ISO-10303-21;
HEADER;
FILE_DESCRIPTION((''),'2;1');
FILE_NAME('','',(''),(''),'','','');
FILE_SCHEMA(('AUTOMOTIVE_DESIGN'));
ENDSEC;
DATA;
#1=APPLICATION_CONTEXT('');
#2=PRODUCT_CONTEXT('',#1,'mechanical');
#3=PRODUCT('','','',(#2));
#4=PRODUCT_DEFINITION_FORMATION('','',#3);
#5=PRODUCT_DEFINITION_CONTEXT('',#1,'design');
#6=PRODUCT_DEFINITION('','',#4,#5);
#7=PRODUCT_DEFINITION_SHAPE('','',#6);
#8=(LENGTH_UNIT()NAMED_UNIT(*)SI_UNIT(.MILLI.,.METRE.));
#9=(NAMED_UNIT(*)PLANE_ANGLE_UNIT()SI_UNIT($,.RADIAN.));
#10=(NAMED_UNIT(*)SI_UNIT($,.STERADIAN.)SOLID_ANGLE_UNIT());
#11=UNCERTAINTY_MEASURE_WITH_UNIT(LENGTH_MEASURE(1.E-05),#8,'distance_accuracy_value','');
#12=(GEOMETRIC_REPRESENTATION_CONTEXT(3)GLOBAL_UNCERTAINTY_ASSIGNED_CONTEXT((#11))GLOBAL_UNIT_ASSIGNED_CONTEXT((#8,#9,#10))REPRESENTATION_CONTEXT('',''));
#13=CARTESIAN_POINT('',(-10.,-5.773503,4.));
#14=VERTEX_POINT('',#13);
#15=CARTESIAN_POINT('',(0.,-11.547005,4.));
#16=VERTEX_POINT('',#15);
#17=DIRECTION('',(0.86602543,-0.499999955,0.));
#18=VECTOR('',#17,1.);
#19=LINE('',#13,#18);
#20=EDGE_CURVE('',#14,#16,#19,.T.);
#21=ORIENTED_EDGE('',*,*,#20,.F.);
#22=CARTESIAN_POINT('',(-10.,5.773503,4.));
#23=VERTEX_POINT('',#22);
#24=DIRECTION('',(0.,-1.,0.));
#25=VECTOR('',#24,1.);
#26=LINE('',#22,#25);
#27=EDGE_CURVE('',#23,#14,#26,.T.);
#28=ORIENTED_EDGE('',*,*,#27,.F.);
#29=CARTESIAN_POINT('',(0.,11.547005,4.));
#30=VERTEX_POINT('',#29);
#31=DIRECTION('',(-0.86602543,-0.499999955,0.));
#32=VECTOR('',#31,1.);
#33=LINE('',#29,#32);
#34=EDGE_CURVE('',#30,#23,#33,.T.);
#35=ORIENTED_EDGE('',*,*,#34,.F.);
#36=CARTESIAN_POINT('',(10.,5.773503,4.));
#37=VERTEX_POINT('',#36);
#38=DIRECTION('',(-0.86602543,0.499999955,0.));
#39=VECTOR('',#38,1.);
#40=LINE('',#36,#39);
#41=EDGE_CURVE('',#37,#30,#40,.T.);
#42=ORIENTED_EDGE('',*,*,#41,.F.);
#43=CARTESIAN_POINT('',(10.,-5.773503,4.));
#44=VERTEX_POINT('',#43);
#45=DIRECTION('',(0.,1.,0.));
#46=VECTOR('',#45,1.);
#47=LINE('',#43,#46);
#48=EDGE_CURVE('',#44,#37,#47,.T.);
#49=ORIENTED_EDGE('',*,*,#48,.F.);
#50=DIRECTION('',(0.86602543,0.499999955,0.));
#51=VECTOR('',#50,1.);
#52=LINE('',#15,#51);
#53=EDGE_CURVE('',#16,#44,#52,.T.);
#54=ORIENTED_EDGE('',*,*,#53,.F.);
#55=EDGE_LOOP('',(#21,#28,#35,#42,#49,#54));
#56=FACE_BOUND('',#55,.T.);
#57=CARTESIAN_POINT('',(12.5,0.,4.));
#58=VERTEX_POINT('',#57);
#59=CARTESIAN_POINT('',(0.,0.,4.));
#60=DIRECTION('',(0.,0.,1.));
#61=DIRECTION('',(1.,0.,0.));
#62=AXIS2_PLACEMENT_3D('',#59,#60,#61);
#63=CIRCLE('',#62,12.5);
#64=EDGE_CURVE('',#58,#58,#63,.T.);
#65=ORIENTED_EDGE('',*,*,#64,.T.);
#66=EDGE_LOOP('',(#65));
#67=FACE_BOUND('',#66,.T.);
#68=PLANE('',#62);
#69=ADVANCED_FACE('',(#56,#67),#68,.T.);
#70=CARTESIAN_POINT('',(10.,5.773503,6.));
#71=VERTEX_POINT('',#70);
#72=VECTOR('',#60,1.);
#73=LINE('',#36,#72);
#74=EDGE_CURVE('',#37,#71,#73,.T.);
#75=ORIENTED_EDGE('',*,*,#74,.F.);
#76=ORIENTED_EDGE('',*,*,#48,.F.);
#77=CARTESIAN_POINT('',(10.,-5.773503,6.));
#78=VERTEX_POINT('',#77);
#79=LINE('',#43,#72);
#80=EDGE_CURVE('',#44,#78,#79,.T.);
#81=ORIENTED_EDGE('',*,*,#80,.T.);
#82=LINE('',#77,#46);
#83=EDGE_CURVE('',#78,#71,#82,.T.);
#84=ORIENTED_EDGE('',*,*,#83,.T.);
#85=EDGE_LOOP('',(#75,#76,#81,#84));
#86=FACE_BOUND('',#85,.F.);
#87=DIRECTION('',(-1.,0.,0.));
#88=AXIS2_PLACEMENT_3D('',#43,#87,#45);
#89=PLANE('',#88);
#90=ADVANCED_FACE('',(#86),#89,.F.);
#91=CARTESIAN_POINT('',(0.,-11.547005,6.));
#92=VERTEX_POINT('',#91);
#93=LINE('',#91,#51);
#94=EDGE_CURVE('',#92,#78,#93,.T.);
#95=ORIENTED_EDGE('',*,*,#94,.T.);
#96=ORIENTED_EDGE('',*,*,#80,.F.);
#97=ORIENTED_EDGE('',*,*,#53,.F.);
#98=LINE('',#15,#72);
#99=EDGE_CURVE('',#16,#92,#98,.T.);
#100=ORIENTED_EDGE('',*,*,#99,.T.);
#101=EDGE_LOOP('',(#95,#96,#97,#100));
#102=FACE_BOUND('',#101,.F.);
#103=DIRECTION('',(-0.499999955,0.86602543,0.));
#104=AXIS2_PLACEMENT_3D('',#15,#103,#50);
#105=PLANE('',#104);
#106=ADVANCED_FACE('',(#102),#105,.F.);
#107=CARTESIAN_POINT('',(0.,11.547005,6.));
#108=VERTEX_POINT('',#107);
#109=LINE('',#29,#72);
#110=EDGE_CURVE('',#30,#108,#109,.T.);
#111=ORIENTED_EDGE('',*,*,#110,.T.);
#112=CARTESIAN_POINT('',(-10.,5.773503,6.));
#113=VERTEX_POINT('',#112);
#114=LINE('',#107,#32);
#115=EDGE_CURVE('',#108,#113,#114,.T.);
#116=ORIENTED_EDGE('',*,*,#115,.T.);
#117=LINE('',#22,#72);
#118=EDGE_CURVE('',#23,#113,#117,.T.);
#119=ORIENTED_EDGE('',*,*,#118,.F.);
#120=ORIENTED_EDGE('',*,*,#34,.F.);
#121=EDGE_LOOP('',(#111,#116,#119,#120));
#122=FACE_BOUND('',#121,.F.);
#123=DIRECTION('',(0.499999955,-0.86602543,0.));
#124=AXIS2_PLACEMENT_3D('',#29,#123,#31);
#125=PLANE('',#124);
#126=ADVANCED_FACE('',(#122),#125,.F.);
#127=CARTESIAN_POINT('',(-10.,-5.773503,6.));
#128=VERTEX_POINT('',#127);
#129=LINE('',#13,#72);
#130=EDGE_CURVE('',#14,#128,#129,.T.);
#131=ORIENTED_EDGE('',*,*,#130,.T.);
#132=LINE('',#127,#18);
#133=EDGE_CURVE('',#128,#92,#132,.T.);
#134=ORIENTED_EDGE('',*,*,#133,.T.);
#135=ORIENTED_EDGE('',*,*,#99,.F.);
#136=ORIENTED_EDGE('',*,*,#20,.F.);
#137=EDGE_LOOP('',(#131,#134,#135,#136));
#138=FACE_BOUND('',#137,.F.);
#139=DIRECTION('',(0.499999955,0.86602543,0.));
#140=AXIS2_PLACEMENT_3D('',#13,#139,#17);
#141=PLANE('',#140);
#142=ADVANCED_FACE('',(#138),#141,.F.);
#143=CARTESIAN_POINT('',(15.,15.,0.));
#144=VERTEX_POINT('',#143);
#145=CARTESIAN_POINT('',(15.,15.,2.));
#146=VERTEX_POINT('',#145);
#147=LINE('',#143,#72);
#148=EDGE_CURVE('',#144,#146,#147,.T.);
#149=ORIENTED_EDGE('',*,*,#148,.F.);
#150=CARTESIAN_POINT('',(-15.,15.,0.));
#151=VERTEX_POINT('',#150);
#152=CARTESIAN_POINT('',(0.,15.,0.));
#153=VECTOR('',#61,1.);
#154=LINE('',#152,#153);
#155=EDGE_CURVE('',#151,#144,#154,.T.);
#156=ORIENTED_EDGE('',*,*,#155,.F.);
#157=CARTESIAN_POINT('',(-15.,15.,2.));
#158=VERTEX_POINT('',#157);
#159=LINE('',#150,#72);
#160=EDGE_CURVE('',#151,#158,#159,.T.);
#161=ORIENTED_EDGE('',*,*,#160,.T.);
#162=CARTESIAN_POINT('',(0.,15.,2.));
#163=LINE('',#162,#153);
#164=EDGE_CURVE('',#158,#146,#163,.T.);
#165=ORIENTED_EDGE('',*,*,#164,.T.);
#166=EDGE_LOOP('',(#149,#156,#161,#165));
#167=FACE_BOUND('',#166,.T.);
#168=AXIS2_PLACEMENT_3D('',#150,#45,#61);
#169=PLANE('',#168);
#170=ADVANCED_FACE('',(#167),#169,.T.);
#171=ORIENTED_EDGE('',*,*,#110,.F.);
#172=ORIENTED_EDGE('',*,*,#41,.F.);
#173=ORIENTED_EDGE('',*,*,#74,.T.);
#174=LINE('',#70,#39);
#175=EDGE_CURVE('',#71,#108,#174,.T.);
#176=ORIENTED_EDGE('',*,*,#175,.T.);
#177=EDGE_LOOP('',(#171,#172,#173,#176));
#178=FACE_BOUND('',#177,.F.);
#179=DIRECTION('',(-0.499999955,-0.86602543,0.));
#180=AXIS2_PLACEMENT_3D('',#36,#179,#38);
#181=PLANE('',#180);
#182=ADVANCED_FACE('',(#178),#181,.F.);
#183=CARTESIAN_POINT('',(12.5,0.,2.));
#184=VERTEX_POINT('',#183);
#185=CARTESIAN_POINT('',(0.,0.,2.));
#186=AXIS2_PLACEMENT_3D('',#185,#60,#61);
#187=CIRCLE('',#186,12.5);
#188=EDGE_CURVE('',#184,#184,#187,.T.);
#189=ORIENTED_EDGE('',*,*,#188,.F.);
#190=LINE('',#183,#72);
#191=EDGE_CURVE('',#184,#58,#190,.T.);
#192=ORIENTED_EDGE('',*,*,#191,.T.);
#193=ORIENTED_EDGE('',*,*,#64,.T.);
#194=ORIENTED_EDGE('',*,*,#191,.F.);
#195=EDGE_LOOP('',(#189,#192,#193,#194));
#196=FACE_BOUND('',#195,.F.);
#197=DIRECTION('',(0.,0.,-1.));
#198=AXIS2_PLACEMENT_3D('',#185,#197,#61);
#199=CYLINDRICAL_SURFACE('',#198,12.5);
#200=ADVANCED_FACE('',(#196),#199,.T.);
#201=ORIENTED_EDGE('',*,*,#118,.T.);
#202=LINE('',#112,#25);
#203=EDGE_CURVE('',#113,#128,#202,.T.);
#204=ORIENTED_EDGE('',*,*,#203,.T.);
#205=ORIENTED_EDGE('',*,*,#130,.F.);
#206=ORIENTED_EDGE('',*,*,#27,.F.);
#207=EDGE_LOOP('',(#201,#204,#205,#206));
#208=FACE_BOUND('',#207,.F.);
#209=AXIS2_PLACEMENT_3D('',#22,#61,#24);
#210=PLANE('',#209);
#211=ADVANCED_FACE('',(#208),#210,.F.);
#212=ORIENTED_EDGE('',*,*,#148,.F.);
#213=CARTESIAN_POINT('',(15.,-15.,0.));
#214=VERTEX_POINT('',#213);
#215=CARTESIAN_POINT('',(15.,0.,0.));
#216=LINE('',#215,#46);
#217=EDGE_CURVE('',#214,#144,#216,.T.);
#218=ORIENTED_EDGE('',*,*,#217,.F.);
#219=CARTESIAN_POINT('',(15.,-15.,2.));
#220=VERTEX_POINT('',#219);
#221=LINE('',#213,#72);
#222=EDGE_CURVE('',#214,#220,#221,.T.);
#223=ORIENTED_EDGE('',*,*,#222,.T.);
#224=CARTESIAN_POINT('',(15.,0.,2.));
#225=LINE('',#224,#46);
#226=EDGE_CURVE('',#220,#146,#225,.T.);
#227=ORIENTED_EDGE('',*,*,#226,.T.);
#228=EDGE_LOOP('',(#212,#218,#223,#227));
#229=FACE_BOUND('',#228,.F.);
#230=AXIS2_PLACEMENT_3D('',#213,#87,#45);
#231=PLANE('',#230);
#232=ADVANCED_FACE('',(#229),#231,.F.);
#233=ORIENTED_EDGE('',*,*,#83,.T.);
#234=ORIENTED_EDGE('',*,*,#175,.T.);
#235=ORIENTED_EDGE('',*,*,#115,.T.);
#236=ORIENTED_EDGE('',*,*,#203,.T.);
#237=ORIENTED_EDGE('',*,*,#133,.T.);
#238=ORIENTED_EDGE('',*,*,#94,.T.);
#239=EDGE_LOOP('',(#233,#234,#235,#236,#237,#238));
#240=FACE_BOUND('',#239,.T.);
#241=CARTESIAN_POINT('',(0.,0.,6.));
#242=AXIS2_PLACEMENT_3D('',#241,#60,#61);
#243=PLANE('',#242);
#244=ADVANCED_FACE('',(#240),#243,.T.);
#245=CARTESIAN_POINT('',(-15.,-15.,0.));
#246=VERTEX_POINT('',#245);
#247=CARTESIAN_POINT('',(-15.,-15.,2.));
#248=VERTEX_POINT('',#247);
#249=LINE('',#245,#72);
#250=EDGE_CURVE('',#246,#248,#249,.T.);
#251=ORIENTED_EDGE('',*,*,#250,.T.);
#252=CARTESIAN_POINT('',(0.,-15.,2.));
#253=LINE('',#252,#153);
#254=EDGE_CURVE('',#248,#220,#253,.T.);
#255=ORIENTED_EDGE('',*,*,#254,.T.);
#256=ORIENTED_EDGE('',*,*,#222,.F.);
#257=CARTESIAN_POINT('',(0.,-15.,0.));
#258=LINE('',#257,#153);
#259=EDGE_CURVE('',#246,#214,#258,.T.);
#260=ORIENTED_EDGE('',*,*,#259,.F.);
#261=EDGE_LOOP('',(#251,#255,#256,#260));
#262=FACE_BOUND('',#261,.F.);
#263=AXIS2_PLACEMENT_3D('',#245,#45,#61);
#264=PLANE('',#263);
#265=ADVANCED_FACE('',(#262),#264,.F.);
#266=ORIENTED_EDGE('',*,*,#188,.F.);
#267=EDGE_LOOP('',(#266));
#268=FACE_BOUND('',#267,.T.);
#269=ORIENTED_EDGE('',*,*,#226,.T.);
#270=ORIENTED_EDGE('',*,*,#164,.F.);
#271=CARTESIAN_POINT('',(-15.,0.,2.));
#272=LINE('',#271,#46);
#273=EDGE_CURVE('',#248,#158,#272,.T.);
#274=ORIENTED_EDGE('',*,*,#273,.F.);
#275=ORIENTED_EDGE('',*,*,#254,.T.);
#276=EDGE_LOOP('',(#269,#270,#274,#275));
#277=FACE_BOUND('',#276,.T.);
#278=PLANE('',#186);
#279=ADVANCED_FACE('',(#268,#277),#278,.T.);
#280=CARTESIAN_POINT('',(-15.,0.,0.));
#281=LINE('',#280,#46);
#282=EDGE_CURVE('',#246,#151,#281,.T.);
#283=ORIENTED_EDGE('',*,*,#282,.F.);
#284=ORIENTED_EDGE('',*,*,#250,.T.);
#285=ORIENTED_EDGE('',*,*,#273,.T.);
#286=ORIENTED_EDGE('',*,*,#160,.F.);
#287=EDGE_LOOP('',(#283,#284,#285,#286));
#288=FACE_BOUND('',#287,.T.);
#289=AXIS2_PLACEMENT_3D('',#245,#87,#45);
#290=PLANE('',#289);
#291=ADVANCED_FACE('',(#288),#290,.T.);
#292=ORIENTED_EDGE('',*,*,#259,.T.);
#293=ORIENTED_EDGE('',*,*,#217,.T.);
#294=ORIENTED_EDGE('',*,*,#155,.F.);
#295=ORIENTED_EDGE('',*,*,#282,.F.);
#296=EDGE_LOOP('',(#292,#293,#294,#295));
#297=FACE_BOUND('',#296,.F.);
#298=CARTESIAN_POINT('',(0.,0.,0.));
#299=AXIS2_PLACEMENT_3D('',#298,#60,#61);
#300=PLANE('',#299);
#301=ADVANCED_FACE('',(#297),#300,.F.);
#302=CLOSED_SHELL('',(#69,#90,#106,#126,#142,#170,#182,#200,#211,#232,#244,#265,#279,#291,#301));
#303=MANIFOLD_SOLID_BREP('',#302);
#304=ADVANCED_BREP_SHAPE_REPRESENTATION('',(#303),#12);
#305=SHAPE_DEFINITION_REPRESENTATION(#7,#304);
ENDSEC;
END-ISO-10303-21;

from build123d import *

# Parameters (mm, degrees)
F0_W     = 30
F0_H     = 30
F1_DEPTH = 2
F2_R     = 12.5
F3_DEPTH = 2
F5_DEPTH = 2


with BuildPart() as f1:
    # F0 (on Top) → F1 (new body)
    with BuildSketch(Plane.XY):
        Rectangle(F0_W, F0_H)
    extrude(amount=F1_DEPTH)

    # F2 (on face) → F3 (join)
    with BuildSketch(Plane.XY.offset(2)):
        Circle(F2_R)
    extrude(amount=F3_DEPTH)

    # F4 (on face) → F5 (join)
    with BuildSketch(Plane.XY.offset(4)):
        Polygon((0, 11.547005), (-10, 5.773503), (-10, -5.773503), (0, -11.547005), (10, -5.773503), (10, 5.773503), align=None)
    extrude(amount=F5_DEPTH)


solid = f1.part
